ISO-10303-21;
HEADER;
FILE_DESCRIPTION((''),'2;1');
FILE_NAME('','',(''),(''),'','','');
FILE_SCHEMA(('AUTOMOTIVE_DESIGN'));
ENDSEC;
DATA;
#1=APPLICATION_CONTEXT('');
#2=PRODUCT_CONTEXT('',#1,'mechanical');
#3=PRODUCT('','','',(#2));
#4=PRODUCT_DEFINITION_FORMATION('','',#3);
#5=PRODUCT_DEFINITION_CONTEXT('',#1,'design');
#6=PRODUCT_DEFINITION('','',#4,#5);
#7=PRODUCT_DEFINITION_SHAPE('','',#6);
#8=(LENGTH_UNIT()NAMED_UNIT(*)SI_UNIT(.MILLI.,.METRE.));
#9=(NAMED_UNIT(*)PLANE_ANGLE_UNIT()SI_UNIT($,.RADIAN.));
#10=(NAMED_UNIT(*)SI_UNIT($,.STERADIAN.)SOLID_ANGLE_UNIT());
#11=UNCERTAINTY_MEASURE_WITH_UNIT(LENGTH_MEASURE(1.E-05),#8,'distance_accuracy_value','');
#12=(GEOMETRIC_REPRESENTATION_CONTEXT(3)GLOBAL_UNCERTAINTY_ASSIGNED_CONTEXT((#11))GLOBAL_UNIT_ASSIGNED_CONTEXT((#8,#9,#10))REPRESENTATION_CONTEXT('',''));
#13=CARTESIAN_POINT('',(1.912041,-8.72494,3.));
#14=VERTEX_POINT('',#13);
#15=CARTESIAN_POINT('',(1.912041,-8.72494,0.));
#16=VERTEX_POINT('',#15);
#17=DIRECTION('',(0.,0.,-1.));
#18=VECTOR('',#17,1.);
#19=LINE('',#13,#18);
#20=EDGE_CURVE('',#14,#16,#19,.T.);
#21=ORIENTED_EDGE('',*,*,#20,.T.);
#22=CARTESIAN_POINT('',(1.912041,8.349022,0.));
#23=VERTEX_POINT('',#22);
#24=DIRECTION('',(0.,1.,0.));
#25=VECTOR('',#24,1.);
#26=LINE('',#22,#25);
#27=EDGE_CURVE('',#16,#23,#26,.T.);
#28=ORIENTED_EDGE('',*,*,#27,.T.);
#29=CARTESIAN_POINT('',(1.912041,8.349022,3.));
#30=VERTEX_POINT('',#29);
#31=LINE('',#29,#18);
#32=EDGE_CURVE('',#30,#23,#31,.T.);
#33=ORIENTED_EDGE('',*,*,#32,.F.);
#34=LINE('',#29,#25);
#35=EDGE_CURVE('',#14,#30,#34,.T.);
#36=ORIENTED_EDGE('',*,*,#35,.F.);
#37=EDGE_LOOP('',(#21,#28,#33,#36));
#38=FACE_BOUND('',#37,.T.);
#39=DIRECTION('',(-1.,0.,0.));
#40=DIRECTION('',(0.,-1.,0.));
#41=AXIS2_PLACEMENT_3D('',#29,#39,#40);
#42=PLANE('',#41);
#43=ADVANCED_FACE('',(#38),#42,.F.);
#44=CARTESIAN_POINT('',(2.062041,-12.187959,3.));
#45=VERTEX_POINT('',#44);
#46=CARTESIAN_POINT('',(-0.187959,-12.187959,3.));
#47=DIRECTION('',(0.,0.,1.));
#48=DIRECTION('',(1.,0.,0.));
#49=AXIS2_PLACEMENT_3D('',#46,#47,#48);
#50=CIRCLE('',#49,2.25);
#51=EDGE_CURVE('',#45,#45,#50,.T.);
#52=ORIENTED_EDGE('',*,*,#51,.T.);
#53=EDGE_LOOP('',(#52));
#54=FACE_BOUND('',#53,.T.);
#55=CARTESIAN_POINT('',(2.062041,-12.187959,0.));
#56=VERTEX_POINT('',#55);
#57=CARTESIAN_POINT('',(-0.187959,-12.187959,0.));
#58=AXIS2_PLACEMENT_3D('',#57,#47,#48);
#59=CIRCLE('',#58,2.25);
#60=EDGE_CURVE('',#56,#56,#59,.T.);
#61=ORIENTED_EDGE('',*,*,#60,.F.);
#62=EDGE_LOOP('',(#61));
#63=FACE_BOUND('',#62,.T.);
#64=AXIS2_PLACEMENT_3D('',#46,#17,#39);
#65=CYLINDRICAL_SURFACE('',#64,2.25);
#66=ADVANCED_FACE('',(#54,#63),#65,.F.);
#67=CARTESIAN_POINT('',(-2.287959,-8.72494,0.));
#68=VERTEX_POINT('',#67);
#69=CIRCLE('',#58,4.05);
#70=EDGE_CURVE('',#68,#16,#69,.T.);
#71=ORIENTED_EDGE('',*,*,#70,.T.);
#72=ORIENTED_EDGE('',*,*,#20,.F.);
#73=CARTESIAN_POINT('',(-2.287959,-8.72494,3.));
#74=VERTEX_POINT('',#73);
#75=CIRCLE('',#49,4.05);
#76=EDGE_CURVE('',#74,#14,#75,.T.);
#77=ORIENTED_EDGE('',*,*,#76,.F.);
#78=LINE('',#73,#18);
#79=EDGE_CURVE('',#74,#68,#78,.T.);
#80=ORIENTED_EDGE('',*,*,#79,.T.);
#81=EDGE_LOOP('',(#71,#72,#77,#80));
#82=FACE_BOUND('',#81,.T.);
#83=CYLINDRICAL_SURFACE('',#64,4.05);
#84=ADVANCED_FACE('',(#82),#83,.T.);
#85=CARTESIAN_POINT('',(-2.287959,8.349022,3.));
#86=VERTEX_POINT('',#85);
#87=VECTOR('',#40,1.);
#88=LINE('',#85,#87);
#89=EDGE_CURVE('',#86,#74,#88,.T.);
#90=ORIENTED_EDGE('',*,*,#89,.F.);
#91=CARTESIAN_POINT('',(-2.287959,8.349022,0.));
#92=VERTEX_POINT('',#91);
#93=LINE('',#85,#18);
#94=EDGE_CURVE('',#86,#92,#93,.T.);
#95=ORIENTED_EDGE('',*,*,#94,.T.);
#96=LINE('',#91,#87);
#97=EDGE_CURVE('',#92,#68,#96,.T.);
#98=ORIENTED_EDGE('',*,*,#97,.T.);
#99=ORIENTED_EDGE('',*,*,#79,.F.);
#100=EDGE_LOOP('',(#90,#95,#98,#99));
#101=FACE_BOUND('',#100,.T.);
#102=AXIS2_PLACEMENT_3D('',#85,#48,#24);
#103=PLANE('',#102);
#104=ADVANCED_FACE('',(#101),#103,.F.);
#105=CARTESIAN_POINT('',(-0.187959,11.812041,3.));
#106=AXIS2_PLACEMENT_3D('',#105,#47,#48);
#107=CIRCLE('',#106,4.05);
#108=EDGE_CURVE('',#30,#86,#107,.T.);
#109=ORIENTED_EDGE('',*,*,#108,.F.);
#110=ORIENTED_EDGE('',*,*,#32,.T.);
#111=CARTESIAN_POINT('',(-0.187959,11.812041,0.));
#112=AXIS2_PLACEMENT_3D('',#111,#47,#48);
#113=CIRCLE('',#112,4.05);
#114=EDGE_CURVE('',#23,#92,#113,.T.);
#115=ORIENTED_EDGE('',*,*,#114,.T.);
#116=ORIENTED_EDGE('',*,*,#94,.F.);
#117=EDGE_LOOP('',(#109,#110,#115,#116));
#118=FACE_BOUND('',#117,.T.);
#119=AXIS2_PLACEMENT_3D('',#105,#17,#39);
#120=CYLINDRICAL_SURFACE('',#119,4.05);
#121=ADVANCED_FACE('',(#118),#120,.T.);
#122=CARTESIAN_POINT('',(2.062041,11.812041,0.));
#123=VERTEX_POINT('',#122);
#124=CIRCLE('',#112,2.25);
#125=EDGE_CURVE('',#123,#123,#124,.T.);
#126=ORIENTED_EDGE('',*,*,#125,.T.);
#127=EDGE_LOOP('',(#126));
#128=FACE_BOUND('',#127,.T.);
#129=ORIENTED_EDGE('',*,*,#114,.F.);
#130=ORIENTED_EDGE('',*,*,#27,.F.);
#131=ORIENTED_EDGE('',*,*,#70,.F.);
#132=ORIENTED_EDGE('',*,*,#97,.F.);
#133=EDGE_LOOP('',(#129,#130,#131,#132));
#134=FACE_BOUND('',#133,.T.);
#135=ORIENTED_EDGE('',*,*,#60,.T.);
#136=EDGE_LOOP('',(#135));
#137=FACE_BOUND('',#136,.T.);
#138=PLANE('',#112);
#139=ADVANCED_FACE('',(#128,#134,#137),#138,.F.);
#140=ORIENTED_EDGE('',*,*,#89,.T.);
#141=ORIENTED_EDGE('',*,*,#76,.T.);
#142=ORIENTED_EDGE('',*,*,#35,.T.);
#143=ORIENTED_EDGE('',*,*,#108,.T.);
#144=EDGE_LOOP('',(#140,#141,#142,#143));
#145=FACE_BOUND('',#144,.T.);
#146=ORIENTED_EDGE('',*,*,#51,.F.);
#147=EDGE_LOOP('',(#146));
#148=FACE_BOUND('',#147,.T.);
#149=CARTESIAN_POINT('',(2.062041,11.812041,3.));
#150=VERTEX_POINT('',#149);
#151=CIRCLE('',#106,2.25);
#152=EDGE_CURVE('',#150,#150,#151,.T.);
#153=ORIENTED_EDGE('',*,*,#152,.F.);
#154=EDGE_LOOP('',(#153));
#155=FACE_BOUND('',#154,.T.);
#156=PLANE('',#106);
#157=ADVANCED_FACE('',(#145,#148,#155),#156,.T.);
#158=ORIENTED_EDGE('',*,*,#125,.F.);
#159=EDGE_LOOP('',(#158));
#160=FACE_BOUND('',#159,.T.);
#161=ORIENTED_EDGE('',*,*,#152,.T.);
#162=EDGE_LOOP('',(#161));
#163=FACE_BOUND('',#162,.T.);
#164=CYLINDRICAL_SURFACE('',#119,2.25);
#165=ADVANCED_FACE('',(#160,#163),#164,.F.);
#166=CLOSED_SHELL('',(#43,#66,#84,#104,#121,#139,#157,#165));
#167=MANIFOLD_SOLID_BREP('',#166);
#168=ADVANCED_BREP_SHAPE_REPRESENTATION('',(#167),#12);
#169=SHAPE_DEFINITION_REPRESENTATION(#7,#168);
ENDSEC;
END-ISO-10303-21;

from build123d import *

# Parameters (mm, degrees)
SKETCH1_R           = 2.25
BOSS_EXTRUDE1_DEPTH = 3


with BuildPart() as part:
    # Sketch1 → Boss-Extrude1 (new body)
    with BuildSketch(Plane.XY):
        with BuildLine():
            Line((-2.287959065, 8.349022021), (-2.287959065, -8.72494015))
            ThreePointArc((-2.287959065, -8.72494015), (-0.187959065, -16.237959065), (1.912040935, -8.72494015))
            Line((1.912040935, -8.72494015), (1.912040935, 8.349022021))
            ThreePointArc((1.912040935, 8.349022021), (-0.187959065, 15.862040935), (-2.287959065, 8.349022021))
        make_face()
        with Locations((-0.187959065, 11.812040935)):
            Circle(SKETCH1_R, mode=Mode.SUBTRACT)
        with Locations((-0.187959065, -12.187959065)):
            Circle(SKETCH1_R, mode=Mode.SUBTRACT)
    extrude(amount=BOSS_EXTRUDE1_DEPTH)


solid = part.part
